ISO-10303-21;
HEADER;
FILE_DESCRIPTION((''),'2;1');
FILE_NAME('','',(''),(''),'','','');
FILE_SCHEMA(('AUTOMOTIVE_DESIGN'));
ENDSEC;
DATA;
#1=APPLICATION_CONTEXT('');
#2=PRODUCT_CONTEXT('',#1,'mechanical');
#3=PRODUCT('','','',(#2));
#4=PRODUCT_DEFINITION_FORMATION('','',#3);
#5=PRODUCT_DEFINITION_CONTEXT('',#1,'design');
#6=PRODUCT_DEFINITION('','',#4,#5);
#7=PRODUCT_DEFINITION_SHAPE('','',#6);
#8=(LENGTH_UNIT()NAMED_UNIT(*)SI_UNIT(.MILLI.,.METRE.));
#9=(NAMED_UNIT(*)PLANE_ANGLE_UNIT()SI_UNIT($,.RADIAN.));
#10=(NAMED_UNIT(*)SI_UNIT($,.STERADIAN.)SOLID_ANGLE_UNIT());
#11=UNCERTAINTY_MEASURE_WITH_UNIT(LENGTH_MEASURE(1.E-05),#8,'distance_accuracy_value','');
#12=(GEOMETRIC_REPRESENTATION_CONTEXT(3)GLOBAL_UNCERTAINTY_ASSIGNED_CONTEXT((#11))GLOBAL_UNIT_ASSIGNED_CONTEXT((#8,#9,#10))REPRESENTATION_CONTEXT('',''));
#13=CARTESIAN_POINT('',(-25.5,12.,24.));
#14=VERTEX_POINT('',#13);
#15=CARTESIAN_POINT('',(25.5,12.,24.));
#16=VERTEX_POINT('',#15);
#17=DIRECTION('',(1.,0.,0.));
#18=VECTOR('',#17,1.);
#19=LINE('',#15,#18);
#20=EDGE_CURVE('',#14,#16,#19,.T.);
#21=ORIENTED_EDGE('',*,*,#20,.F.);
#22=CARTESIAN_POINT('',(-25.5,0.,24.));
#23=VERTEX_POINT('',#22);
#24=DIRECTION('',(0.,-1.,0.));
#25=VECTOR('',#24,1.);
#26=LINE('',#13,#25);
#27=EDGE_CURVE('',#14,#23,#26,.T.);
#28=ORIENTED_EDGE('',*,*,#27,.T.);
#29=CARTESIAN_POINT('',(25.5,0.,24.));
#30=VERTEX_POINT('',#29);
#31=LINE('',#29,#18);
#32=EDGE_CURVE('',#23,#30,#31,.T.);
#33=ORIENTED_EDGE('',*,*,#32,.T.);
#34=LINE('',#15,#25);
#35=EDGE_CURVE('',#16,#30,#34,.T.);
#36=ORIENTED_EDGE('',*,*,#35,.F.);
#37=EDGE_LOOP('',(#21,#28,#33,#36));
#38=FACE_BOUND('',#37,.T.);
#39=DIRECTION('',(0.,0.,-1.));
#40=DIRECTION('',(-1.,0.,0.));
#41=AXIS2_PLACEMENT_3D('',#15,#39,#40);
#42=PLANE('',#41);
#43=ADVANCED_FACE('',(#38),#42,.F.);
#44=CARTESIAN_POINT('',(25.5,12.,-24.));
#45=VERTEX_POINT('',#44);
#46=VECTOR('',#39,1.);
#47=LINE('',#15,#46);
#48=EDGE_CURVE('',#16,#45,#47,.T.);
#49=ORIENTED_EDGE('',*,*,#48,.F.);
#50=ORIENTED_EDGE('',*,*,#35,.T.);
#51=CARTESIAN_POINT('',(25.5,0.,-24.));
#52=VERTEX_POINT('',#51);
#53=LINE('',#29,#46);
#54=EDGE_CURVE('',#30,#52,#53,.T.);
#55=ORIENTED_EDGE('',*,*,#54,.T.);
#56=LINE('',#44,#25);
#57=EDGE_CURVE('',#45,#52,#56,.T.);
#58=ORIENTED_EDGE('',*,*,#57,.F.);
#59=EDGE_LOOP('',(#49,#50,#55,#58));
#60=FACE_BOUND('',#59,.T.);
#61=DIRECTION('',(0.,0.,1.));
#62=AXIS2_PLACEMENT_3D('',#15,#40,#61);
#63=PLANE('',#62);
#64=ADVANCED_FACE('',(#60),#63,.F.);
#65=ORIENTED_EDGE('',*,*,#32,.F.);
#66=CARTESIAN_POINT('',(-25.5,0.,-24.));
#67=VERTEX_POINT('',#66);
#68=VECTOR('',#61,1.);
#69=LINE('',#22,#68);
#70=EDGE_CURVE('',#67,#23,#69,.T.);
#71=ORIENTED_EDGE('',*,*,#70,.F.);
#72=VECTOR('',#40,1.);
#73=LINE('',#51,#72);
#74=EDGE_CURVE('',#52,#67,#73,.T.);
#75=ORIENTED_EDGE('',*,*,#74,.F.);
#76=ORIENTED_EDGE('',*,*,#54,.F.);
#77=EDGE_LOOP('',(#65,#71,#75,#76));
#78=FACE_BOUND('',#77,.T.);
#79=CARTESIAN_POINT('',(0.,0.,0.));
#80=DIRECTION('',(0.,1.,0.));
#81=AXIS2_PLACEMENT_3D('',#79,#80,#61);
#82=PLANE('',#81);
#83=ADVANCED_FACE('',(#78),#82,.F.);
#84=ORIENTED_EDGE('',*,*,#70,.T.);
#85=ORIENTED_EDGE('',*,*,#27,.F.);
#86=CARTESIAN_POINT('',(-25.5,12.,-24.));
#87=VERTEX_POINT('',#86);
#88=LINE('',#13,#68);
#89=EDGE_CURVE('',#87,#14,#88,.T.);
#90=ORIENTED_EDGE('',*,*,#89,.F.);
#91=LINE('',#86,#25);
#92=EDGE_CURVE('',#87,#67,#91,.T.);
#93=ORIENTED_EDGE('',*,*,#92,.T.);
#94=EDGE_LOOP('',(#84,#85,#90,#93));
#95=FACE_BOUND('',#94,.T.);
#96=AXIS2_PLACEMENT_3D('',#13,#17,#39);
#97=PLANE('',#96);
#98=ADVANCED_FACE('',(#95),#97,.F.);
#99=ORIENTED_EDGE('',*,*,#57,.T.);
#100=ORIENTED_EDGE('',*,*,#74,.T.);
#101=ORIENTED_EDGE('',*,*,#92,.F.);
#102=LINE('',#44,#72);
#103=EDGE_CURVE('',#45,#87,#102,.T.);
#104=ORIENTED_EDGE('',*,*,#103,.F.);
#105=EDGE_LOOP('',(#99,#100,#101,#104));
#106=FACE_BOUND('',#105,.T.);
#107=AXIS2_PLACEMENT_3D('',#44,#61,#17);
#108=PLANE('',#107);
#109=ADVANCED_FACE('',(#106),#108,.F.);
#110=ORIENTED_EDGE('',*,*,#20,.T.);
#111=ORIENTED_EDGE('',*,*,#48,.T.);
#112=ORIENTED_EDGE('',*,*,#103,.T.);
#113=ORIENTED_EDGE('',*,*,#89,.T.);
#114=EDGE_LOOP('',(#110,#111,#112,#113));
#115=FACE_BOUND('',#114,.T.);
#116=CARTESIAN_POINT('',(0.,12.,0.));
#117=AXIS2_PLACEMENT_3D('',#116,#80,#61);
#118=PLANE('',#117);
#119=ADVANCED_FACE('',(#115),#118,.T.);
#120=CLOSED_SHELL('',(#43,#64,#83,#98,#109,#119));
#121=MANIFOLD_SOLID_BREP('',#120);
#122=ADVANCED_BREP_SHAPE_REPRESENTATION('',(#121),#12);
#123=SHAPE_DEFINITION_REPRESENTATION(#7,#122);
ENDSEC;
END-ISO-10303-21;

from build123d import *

# Parameters (mm, degrees)
ESBO_O2_W                = 51
ESBO_O2_H                = 48
RESSALTO_EXTRUS_O1_DEPTH = 12


with BuildPart() as part:
    # Esboço2 → Ressalto-extrusão1 (new body)
    with BuildSketch(Plane(origin=(0, 0, 0), x_dir=(1, 0, 0), z_dir=(0, 1, 0))):
        Rectangle(ESBO_O2_W, ESBO_O2_H)
    extrude(amount=RESSALTO_EXTRUS_O1_DEPTH)


solid = part.part
